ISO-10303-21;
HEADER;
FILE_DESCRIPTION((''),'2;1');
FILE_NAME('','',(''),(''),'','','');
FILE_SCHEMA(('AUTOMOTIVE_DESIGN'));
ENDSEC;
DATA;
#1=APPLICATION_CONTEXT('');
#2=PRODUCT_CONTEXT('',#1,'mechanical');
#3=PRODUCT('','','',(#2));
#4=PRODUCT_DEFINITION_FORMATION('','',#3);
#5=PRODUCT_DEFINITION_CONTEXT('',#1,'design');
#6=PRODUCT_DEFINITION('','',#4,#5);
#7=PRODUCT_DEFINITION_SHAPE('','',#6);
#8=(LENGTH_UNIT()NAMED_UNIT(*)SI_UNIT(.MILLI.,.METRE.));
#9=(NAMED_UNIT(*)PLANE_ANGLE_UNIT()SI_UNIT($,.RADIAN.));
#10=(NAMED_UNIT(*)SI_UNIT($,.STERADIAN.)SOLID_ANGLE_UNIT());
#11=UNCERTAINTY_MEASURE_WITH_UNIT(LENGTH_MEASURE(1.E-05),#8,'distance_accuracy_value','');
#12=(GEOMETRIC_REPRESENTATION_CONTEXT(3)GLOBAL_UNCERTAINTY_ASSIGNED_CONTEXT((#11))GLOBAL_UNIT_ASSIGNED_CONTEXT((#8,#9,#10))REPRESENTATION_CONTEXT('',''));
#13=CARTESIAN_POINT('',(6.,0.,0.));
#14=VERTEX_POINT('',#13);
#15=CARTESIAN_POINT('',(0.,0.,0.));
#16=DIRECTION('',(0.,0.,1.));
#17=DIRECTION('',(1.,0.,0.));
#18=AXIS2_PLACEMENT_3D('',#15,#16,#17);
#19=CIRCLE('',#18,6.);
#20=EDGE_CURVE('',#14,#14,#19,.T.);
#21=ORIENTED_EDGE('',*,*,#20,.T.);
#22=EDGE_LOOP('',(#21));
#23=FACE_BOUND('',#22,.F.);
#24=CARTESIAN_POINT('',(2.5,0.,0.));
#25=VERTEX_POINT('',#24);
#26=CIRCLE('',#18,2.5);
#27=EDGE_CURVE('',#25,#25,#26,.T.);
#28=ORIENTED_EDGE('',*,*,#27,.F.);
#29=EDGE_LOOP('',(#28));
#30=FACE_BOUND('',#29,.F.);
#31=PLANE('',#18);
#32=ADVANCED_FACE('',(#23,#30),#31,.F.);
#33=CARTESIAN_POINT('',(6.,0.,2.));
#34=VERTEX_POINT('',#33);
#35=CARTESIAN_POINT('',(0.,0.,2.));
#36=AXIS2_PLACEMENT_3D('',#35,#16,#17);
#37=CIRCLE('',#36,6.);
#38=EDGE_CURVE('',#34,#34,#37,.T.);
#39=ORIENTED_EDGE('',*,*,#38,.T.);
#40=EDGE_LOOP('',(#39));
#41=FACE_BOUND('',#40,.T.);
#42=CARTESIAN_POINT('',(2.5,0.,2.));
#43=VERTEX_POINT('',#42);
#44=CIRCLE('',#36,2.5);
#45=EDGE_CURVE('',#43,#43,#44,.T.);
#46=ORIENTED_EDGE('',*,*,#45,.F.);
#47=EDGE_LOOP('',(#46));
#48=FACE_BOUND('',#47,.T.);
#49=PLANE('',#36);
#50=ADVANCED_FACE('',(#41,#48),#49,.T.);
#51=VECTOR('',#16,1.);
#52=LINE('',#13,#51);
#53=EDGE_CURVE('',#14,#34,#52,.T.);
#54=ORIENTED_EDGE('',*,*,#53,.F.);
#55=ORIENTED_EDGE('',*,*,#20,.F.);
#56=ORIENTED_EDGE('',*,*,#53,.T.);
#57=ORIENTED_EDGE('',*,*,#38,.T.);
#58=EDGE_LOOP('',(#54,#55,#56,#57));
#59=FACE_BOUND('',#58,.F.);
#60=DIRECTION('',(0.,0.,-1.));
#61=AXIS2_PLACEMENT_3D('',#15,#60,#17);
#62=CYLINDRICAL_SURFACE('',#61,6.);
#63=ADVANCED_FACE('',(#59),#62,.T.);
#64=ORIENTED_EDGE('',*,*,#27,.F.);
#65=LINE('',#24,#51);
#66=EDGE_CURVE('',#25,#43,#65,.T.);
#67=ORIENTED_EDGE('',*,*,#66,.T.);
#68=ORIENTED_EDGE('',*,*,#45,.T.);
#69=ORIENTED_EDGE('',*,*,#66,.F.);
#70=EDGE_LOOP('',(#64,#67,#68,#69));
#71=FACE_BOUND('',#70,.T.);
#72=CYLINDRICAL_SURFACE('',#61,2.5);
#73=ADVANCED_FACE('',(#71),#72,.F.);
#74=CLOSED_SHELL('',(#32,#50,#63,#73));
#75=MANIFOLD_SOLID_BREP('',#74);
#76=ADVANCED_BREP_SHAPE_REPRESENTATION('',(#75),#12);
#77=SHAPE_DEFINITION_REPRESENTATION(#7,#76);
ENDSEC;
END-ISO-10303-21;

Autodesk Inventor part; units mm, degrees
ref_plane "YZ Plane" through (0, 0, 0) normal (1, 0, 0) x (0, 1, 0)
ref_plane "XZ Plane" through (0, 0, 0) normal (0, 1, 0) x (-1, 0, 0)
ref_plane "XY Plane" through (0, 0, 0) normal (0, 0, 1) x (1, 0, 0)
sketch "スケッチ1" plane through (0, 0, 0) normal (0, 0, 1) x (1, 0, 0)
  circle A0 centre (0, 0) radius 2.5
  circle A1 centre (0, 0) radius 6
  dimension "d0" = 5
  dimension "d1" = 12
extrude "押し出し1" add sketch "スケッチ1" along normal blind 2
properties part number "ギアスペーサ2" material "アセタール樹脂、白"
